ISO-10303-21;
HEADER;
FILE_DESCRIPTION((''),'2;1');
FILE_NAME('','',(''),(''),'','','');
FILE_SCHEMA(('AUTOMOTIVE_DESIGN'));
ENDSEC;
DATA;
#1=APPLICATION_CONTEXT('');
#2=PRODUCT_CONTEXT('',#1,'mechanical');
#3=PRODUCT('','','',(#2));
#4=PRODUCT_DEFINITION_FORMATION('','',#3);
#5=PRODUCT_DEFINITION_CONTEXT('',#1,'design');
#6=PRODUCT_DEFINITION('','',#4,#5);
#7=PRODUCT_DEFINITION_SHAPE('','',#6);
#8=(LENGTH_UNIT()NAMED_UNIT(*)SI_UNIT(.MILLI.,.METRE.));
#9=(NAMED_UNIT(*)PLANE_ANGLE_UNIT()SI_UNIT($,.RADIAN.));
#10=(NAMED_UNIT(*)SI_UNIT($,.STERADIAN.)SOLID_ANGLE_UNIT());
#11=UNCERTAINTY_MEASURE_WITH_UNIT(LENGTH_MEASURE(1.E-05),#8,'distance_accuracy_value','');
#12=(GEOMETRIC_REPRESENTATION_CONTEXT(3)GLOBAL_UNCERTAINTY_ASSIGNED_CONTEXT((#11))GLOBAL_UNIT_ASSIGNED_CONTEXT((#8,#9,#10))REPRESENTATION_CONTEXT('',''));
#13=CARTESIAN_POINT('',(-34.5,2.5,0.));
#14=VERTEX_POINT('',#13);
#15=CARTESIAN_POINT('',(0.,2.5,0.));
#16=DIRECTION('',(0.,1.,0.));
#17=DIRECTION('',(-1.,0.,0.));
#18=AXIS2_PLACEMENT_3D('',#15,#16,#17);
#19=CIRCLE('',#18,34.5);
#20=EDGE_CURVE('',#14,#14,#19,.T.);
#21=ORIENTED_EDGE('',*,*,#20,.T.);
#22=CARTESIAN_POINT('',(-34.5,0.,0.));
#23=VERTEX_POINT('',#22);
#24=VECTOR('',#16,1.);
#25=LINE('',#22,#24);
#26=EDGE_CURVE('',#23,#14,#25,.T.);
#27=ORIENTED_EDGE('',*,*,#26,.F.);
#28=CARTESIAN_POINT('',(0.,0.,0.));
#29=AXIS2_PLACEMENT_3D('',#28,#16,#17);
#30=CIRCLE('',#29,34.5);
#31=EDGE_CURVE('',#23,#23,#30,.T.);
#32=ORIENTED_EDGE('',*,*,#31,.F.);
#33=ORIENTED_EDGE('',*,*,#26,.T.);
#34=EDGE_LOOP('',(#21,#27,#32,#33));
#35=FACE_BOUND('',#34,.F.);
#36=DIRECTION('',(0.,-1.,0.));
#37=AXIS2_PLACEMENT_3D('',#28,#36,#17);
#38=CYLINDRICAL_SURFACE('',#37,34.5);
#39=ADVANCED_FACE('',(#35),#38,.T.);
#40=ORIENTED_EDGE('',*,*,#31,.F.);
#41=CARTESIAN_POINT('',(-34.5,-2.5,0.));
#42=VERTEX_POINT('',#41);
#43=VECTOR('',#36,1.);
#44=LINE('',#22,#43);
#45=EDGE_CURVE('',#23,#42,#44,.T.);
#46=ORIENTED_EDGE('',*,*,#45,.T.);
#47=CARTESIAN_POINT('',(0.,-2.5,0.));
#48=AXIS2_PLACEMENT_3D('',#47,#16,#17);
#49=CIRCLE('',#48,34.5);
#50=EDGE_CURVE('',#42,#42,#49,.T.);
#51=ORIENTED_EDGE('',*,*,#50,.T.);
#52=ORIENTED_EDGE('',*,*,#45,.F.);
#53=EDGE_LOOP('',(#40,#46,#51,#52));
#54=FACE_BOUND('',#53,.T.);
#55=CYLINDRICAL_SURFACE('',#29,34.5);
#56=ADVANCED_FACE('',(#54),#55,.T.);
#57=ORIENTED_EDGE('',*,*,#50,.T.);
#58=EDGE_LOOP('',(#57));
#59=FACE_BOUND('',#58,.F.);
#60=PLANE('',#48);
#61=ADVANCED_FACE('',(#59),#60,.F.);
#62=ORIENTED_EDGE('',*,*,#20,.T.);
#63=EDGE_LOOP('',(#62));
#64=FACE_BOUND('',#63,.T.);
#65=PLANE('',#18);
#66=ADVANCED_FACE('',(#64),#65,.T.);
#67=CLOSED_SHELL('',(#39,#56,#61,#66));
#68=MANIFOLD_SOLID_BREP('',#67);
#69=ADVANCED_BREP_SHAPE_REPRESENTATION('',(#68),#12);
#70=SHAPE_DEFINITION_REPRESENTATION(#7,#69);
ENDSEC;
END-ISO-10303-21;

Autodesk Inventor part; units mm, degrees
ref_plane "YZ Plane" through (0, 0, 0) normal (1, 0, 0) x (0, 1, 0)
ref_plane "XZ Plane" through (0, 0, 0) normal (0, 1, 0) x (-1, 0, 0)
ref_plane "XY Plane" through (0, 0, 0) normal (0, 0, 1) x (1, 0, 0)
sketch "Sketch1" plane through (0, 0, 0) normal (0, 1, 0) x (-1, 0, 0)
  circle A0 centre (0, 0) radius 34.5
  dimension "d0" = 69
extrude "Extrusion1" add sketch "Sketch1" along normal mid plane 5
properties part number "Soporte Eyección" material "MDF Medium Density Fiberboard"
